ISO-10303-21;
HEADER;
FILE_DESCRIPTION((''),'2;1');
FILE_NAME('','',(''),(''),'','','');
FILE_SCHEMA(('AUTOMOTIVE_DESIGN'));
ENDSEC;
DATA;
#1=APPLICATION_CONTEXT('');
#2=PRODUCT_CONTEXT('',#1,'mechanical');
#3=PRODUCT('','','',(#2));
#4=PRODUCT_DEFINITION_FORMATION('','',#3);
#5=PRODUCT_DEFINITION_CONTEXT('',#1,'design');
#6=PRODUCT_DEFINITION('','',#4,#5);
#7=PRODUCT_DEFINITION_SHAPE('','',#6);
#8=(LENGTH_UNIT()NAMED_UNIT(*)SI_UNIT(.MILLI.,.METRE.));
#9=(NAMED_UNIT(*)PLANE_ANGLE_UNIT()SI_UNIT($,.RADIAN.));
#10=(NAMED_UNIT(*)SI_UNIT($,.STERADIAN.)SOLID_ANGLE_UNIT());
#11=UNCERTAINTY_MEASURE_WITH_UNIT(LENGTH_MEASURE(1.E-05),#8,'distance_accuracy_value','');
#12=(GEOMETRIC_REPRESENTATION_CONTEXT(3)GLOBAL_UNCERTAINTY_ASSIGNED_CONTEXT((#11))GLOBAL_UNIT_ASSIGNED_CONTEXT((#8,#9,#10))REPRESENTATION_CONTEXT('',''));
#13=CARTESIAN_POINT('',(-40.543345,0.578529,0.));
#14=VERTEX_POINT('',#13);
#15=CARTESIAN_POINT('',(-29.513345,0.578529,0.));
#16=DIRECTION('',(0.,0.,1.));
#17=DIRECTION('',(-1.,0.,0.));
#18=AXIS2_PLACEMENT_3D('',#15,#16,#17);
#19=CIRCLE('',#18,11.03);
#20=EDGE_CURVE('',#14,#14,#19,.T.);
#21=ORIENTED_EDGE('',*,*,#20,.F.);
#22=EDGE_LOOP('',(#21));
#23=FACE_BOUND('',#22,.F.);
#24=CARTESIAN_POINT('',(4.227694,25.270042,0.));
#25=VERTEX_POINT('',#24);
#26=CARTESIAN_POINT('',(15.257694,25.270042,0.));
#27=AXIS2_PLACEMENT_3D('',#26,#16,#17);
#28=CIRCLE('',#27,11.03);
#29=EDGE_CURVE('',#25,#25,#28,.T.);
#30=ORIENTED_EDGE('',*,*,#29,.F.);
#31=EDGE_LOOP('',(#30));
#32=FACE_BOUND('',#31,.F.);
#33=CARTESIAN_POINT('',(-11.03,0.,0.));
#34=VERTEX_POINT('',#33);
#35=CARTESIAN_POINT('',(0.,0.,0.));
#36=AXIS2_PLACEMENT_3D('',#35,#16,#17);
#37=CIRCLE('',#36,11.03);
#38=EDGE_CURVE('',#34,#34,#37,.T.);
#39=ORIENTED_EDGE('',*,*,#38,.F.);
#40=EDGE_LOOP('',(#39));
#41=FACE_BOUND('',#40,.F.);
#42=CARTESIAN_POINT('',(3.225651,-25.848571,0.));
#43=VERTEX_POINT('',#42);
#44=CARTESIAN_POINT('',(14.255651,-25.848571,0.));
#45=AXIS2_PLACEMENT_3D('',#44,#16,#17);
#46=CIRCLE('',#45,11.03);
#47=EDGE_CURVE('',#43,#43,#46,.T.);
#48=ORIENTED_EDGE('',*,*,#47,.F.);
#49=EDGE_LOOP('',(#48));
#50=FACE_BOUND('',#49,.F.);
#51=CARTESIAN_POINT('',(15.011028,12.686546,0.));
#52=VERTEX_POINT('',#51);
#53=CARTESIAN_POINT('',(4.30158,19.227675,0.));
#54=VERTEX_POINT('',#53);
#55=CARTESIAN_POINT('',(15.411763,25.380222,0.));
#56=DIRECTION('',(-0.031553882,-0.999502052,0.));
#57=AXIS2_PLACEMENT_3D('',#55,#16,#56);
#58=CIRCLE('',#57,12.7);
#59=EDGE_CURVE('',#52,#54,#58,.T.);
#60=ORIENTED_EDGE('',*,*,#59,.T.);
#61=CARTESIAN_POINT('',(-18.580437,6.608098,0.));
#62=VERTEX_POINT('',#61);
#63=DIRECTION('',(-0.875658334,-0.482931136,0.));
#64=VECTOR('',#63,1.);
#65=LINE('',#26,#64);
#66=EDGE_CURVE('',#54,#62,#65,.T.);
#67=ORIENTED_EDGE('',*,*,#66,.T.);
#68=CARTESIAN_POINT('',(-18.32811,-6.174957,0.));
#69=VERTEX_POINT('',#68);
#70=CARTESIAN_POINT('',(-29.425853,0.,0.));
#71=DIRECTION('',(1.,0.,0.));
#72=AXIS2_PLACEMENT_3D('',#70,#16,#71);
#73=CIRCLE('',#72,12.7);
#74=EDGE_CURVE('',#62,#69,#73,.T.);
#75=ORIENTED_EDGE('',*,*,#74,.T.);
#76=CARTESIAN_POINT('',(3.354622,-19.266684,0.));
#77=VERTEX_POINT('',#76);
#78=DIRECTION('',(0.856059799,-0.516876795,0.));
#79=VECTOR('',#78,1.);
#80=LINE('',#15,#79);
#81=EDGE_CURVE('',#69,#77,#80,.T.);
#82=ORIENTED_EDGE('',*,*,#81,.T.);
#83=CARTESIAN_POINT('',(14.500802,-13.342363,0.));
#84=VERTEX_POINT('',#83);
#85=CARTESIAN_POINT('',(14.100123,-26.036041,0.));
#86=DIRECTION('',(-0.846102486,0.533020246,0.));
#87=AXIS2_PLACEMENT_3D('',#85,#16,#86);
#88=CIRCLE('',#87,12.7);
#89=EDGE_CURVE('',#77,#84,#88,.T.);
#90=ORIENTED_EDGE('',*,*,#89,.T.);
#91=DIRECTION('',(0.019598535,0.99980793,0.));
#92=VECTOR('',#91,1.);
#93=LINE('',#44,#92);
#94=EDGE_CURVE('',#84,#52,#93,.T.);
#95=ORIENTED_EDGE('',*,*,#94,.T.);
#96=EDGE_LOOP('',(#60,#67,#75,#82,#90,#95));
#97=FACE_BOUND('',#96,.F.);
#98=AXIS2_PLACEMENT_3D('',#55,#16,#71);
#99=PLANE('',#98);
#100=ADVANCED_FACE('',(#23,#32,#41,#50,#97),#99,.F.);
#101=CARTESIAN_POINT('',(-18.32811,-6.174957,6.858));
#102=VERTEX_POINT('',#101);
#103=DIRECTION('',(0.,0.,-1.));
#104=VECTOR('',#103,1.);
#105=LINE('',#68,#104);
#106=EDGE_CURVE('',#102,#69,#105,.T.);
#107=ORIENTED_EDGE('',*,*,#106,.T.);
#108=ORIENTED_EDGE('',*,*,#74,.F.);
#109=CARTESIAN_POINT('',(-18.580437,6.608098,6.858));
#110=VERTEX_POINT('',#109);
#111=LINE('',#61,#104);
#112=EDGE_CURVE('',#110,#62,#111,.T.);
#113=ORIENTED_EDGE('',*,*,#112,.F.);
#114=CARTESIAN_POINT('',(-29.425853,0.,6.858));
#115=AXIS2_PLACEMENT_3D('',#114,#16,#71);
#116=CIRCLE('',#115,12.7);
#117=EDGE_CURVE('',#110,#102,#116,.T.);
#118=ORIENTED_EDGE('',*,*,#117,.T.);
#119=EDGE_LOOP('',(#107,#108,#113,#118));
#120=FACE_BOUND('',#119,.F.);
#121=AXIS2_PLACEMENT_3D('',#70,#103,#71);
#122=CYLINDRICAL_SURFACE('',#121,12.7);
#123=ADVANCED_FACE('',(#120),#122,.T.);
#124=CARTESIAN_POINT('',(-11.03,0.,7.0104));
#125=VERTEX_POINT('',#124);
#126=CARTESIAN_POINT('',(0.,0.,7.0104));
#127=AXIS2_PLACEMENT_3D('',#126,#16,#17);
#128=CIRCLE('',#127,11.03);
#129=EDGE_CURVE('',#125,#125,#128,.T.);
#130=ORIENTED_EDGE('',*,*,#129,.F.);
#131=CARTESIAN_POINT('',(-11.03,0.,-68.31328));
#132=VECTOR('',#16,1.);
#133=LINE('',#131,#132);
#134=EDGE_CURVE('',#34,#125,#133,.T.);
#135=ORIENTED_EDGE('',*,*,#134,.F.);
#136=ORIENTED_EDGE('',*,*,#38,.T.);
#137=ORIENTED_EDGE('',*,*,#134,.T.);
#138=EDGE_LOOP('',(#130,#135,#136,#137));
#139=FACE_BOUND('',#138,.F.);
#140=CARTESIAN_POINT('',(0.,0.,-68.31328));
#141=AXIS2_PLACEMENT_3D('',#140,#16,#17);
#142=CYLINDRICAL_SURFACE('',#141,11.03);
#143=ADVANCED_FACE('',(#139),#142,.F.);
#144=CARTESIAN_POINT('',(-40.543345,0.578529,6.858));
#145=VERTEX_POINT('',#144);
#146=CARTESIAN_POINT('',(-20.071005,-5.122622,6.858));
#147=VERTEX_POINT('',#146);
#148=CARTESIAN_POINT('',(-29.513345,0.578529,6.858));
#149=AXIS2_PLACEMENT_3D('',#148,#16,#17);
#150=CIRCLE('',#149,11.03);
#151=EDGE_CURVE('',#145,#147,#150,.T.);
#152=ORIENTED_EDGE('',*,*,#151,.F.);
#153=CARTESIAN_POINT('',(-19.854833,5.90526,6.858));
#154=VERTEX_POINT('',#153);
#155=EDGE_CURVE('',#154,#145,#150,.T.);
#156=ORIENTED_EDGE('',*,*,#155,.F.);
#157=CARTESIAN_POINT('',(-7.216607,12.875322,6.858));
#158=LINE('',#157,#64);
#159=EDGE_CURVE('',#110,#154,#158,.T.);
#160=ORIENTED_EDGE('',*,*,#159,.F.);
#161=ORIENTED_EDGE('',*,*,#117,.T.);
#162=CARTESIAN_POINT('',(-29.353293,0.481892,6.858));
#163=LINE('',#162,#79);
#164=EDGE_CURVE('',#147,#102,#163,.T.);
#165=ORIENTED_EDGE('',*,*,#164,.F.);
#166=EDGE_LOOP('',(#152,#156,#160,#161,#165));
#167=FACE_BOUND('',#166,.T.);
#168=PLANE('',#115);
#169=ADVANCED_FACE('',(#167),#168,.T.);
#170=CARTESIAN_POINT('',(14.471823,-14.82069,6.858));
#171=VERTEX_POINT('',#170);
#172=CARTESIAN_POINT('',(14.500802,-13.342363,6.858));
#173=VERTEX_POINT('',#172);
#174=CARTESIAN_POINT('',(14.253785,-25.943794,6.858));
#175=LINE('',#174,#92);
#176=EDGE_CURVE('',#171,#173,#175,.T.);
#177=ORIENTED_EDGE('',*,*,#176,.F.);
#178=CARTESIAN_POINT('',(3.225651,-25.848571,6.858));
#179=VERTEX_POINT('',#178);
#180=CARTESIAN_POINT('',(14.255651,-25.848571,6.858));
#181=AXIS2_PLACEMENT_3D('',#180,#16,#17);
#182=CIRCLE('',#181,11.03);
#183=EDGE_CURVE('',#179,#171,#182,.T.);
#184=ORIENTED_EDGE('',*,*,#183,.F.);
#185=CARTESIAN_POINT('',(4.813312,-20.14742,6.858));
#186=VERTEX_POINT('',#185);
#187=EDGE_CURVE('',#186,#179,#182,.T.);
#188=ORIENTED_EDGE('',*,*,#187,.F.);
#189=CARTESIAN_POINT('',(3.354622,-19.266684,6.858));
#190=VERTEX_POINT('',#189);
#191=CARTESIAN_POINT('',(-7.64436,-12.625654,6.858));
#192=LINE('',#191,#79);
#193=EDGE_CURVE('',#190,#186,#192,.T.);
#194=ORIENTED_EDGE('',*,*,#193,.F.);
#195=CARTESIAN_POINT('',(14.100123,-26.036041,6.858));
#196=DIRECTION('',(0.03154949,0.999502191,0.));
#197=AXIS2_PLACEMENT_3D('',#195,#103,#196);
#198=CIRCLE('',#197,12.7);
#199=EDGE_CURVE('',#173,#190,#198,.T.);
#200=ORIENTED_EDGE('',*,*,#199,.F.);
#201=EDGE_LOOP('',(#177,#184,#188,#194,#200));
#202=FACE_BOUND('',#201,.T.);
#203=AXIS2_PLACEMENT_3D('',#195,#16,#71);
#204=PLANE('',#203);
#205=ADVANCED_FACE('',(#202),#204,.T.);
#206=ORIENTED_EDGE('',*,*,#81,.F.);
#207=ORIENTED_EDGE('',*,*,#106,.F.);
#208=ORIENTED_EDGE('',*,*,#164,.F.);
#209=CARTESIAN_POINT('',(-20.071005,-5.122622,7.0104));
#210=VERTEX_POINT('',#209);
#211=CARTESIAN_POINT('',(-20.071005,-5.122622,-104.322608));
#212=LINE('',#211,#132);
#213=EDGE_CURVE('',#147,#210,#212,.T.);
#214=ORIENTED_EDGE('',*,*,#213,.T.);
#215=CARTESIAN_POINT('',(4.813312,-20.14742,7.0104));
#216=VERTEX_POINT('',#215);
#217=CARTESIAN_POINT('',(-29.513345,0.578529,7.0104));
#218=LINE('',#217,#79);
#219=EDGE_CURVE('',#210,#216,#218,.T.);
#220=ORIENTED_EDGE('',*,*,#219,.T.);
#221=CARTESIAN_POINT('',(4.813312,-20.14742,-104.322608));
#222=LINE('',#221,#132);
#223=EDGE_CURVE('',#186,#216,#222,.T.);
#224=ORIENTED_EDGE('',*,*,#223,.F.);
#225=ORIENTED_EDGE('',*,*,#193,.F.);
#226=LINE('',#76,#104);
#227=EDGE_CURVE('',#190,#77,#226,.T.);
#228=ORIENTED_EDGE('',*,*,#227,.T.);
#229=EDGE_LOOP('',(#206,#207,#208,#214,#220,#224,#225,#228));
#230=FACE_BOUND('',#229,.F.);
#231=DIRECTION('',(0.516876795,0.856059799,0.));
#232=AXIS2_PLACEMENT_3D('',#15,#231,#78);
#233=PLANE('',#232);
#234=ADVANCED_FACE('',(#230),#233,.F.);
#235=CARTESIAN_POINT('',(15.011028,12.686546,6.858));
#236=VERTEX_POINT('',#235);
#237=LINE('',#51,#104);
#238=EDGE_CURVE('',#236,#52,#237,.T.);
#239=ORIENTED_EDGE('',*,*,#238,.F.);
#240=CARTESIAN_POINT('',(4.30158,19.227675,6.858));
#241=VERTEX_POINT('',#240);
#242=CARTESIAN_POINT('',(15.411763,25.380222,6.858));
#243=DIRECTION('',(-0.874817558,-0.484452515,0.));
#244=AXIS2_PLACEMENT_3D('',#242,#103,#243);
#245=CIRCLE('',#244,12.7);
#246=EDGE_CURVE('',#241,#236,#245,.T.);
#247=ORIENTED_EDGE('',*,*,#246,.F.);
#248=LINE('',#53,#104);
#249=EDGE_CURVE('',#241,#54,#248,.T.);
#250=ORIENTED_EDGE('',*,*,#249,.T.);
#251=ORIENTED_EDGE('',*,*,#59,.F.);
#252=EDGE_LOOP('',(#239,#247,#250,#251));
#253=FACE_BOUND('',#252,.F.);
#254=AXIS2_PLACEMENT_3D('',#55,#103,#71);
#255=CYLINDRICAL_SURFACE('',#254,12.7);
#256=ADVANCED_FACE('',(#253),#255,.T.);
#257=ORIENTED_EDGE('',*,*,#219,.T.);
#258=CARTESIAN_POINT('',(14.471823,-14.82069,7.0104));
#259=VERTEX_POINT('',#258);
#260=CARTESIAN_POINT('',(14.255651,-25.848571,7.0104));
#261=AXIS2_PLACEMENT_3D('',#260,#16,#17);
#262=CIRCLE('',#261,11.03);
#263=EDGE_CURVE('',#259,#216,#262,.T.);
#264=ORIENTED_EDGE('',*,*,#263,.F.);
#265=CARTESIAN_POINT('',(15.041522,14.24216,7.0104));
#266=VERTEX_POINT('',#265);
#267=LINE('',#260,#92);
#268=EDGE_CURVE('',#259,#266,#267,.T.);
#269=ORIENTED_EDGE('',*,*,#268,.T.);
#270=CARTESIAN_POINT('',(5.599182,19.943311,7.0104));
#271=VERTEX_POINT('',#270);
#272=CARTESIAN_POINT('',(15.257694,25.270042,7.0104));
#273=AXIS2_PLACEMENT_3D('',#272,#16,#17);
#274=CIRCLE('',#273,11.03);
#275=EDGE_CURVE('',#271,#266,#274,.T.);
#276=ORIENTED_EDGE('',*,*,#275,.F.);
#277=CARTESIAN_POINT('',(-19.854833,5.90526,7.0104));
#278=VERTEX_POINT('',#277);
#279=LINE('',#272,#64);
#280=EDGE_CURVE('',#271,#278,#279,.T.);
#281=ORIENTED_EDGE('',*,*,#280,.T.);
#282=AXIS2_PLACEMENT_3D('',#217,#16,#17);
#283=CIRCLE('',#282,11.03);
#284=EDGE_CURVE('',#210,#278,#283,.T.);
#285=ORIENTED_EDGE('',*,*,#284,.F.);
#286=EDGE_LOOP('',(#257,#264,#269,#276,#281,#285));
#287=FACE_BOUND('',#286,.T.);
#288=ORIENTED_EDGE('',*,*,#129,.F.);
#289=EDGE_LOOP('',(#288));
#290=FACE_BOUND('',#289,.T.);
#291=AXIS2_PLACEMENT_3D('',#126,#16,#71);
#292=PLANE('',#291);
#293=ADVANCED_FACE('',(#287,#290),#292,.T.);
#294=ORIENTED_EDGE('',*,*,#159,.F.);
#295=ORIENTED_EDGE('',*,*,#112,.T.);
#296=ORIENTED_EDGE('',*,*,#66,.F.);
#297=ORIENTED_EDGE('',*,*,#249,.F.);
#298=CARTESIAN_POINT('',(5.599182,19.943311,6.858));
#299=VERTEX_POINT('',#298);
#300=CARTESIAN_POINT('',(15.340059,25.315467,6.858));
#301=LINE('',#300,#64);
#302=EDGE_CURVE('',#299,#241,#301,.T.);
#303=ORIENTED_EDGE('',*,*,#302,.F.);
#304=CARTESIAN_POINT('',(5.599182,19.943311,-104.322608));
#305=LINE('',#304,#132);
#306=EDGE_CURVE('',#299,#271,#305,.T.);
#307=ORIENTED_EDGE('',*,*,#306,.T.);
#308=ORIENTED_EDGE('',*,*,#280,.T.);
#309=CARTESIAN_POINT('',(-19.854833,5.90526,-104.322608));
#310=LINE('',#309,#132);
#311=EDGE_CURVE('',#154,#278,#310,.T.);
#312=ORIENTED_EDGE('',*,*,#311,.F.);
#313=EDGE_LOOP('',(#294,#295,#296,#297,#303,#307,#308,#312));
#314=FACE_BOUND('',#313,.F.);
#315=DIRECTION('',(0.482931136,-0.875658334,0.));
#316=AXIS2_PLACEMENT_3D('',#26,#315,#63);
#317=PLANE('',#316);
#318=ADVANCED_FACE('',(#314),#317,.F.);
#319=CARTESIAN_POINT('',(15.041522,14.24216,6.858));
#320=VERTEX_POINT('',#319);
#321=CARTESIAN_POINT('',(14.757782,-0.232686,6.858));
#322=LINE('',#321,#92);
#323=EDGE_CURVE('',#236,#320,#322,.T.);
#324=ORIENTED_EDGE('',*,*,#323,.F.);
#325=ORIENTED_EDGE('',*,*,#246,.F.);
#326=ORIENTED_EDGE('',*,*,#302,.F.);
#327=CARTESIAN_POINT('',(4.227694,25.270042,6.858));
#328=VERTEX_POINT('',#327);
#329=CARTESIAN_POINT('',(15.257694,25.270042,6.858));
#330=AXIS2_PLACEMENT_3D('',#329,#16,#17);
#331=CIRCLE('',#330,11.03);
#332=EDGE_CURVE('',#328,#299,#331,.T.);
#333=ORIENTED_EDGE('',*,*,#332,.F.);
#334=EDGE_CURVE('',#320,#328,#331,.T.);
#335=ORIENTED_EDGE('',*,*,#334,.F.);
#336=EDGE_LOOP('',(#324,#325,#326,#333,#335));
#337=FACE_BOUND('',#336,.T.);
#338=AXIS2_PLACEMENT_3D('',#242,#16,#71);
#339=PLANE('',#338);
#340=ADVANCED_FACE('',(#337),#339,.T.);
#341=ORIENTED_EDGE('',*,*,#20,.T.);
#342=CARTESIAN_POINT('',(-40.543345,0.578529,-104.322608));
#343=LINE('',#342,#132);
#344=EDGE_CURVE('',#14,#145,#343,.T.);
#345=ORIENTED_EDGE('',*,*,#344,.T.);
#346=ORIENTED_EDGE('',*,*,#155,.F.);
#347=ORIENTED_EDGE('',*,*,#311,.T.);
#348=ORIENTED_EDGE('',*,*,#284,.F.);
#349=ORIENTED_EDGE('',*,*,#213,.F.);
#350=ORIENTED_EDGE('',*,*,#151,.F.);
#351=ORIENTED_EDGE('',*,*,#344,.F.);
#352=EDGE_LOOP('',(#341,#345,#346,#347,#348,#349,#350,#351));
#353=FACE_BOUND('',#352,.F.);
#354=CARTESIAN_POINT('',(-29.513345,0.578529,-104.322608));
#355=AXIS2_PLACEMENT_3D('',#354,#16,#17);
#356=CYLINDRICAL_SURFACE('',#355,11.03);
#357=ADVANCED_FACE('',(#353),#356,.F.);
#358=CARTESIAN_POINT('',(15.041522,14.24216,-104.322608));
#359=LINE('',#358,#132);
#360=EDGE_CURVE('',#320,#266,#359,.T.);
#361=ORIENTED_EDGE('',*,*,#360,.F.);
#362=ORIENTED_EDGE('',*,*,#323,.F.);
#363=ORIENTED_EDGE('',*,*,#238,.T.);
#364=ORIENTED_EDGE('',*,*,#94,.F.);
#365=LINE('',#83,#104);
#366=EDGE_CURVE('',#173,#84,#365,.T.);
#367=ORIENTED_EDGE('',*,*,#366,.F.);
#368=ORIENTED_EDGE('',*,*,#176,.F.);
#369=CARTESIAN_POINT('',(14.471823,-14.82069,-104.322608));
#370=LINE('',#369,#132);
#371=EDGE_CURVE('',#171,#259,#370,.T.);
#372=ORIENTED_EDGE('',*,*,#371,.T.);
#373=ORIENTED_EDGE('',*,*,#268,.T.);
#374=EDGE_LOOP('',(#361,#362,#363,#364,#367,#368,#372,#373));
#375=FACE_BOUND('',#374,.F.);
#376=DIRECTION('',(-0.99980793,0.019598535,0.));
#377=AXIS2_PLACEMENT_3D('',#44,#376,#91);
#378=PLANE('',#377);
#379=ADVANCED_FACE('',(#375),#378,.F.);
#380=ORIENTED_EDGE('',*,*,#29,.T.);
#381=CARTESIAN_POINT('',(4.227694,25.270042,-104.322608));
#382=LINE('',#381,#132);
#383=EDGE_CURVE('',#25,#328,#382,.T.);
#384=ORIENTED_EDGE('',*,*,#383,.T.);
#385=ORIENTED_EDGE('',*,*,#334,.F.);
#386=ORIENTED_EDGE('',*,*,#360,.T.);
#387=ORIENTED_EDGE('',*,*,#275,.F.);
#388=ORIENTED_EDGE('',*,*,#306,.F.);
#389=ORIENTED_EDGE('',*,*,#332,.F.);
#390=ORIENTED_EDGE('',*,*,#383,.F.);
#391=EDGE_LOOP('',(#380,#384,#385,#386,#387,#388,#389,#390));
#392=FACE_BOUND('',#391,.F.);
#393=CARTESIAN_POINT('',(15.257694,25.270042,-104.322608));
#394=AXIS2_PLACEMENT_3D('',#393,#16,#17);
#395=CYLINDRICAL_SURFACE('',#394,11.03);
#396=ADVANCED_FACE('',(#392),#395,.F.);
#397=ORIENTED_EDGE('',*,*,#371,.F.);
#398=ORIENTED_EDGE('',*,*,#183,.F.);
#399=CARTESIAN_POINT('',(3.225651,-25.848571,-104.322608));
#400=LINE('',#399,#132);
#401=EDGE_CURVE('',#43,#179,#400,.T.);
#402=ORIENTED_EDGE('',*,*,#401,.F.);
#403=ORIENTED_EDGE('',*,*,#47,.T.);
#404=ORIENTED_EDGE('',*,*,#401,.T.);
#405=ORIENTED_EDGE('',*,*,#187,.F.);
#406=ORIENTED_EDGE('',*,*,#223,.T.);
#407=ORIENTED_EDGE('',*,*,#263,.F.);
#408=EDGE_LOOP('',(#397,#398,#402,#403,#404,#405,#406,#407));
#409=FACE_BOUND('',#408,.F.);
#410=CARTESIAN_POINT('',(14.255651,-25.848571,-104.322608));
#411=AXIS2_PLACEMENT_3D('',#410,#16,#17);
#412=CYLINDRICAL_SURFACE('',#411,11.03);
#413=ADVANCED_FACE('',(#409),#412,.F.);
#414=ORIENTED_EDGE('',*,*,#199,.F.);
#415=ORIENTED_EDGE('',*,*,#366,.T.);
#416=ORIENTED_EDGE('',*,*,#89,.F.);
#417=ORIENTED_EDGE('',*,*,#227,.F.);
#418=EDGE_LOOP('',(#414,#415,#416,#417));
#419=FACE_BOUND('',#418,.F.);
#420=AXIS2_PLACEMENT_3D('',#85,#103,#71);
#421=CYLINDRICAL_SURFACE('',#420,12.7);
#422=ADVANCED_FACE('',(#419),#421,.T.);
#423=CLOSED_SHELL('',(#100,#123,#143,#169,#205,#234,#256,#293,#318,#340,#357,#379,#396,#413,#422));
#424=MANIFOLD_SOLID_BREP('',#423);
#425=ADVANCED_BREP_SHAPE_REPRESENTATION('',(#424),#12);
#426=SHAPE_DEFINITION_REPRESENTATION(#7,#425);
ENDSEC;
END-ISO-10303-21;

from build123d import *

# Parameters (mm, degrees)
F1_DEPTH = 7.0104
F2_D     = 22.060000076
F3_R     = 12.7
F4_DEPTH = 6.858
F5_R     = 12.7
F6_DEPTH = 6.858
F7_R     = 12.7
F8_DEPTH = 6.858
F9_D     = 22.060000076
F10_D    = 22.060000076
F11_D    = 22.060000076


with BuildPart() as f1:
    # F0 (on Top) → F1 (new body)
    with BuildSketch(Plane.XY):
        Polygon((15.2576936839, 25.2700417553), (-29.5133449568, 0.5785294558), (14.2556512728, -25.8485712111), align=None)
    extrude(amount=F1_DEPTH)

    # F2 (through all)
    with Locations(Plane(origin=(0, 0, 0), x_dir=(1, 0, 0), z_dir=(0, 0, -1))):
        with Locations((0, 0)):
            Hole(F2_D / 2)

    # F3 (on Top) → F4 (join)
    with BuildSketch(Plane.XY):
        with Locations((14.1001231968, -26.0360408574)):
            Circle(F3_R)
    extrude(amount=F4_DEPTH)

    # F5 (on Top) → F6 (join)
    with BuildSketch(Plane.XY):
        with Locations((15.4117625207, 25.3802221268)):
            Circle(F5_R)
    extrude(amount=F6_DEPTH)

    # F7 (on Top) → F8 (join)
    with BuildSketch(Plane.XY):
        with Locations((-29.4258532214, 0)):
            Circle(F7_R)
    extrude(amount=F8_DEPTH)

    # F9 (through all)
    with Locations(Plane(origin=(0, 0, 0), x_dir=(1, 0, 0), z_dir=(0, 0, -1))):
        with Locations((15.2576936839, -25.2700417553)):
            Hole(F9_D / 2)

    # F10 (through all)
    with Locations(Plane(origin=(0, 0, 0), x_dir=(1, 0, 0), z_dir=(0, 0, -1))):
        with Locations((14.2556512728, 25.8485712111)):
            Hole(F10_D / 2)

    # F11 (through all)
    with Locations(Plane(origin=(0, 0, 0), x_dir=(1, 0, 0), z_dir=(0, 0, -1))):
        with Locations((-29.5133449568, -0.5785294558)):
            Hole(F11_D / 2)


solid = f1.part
